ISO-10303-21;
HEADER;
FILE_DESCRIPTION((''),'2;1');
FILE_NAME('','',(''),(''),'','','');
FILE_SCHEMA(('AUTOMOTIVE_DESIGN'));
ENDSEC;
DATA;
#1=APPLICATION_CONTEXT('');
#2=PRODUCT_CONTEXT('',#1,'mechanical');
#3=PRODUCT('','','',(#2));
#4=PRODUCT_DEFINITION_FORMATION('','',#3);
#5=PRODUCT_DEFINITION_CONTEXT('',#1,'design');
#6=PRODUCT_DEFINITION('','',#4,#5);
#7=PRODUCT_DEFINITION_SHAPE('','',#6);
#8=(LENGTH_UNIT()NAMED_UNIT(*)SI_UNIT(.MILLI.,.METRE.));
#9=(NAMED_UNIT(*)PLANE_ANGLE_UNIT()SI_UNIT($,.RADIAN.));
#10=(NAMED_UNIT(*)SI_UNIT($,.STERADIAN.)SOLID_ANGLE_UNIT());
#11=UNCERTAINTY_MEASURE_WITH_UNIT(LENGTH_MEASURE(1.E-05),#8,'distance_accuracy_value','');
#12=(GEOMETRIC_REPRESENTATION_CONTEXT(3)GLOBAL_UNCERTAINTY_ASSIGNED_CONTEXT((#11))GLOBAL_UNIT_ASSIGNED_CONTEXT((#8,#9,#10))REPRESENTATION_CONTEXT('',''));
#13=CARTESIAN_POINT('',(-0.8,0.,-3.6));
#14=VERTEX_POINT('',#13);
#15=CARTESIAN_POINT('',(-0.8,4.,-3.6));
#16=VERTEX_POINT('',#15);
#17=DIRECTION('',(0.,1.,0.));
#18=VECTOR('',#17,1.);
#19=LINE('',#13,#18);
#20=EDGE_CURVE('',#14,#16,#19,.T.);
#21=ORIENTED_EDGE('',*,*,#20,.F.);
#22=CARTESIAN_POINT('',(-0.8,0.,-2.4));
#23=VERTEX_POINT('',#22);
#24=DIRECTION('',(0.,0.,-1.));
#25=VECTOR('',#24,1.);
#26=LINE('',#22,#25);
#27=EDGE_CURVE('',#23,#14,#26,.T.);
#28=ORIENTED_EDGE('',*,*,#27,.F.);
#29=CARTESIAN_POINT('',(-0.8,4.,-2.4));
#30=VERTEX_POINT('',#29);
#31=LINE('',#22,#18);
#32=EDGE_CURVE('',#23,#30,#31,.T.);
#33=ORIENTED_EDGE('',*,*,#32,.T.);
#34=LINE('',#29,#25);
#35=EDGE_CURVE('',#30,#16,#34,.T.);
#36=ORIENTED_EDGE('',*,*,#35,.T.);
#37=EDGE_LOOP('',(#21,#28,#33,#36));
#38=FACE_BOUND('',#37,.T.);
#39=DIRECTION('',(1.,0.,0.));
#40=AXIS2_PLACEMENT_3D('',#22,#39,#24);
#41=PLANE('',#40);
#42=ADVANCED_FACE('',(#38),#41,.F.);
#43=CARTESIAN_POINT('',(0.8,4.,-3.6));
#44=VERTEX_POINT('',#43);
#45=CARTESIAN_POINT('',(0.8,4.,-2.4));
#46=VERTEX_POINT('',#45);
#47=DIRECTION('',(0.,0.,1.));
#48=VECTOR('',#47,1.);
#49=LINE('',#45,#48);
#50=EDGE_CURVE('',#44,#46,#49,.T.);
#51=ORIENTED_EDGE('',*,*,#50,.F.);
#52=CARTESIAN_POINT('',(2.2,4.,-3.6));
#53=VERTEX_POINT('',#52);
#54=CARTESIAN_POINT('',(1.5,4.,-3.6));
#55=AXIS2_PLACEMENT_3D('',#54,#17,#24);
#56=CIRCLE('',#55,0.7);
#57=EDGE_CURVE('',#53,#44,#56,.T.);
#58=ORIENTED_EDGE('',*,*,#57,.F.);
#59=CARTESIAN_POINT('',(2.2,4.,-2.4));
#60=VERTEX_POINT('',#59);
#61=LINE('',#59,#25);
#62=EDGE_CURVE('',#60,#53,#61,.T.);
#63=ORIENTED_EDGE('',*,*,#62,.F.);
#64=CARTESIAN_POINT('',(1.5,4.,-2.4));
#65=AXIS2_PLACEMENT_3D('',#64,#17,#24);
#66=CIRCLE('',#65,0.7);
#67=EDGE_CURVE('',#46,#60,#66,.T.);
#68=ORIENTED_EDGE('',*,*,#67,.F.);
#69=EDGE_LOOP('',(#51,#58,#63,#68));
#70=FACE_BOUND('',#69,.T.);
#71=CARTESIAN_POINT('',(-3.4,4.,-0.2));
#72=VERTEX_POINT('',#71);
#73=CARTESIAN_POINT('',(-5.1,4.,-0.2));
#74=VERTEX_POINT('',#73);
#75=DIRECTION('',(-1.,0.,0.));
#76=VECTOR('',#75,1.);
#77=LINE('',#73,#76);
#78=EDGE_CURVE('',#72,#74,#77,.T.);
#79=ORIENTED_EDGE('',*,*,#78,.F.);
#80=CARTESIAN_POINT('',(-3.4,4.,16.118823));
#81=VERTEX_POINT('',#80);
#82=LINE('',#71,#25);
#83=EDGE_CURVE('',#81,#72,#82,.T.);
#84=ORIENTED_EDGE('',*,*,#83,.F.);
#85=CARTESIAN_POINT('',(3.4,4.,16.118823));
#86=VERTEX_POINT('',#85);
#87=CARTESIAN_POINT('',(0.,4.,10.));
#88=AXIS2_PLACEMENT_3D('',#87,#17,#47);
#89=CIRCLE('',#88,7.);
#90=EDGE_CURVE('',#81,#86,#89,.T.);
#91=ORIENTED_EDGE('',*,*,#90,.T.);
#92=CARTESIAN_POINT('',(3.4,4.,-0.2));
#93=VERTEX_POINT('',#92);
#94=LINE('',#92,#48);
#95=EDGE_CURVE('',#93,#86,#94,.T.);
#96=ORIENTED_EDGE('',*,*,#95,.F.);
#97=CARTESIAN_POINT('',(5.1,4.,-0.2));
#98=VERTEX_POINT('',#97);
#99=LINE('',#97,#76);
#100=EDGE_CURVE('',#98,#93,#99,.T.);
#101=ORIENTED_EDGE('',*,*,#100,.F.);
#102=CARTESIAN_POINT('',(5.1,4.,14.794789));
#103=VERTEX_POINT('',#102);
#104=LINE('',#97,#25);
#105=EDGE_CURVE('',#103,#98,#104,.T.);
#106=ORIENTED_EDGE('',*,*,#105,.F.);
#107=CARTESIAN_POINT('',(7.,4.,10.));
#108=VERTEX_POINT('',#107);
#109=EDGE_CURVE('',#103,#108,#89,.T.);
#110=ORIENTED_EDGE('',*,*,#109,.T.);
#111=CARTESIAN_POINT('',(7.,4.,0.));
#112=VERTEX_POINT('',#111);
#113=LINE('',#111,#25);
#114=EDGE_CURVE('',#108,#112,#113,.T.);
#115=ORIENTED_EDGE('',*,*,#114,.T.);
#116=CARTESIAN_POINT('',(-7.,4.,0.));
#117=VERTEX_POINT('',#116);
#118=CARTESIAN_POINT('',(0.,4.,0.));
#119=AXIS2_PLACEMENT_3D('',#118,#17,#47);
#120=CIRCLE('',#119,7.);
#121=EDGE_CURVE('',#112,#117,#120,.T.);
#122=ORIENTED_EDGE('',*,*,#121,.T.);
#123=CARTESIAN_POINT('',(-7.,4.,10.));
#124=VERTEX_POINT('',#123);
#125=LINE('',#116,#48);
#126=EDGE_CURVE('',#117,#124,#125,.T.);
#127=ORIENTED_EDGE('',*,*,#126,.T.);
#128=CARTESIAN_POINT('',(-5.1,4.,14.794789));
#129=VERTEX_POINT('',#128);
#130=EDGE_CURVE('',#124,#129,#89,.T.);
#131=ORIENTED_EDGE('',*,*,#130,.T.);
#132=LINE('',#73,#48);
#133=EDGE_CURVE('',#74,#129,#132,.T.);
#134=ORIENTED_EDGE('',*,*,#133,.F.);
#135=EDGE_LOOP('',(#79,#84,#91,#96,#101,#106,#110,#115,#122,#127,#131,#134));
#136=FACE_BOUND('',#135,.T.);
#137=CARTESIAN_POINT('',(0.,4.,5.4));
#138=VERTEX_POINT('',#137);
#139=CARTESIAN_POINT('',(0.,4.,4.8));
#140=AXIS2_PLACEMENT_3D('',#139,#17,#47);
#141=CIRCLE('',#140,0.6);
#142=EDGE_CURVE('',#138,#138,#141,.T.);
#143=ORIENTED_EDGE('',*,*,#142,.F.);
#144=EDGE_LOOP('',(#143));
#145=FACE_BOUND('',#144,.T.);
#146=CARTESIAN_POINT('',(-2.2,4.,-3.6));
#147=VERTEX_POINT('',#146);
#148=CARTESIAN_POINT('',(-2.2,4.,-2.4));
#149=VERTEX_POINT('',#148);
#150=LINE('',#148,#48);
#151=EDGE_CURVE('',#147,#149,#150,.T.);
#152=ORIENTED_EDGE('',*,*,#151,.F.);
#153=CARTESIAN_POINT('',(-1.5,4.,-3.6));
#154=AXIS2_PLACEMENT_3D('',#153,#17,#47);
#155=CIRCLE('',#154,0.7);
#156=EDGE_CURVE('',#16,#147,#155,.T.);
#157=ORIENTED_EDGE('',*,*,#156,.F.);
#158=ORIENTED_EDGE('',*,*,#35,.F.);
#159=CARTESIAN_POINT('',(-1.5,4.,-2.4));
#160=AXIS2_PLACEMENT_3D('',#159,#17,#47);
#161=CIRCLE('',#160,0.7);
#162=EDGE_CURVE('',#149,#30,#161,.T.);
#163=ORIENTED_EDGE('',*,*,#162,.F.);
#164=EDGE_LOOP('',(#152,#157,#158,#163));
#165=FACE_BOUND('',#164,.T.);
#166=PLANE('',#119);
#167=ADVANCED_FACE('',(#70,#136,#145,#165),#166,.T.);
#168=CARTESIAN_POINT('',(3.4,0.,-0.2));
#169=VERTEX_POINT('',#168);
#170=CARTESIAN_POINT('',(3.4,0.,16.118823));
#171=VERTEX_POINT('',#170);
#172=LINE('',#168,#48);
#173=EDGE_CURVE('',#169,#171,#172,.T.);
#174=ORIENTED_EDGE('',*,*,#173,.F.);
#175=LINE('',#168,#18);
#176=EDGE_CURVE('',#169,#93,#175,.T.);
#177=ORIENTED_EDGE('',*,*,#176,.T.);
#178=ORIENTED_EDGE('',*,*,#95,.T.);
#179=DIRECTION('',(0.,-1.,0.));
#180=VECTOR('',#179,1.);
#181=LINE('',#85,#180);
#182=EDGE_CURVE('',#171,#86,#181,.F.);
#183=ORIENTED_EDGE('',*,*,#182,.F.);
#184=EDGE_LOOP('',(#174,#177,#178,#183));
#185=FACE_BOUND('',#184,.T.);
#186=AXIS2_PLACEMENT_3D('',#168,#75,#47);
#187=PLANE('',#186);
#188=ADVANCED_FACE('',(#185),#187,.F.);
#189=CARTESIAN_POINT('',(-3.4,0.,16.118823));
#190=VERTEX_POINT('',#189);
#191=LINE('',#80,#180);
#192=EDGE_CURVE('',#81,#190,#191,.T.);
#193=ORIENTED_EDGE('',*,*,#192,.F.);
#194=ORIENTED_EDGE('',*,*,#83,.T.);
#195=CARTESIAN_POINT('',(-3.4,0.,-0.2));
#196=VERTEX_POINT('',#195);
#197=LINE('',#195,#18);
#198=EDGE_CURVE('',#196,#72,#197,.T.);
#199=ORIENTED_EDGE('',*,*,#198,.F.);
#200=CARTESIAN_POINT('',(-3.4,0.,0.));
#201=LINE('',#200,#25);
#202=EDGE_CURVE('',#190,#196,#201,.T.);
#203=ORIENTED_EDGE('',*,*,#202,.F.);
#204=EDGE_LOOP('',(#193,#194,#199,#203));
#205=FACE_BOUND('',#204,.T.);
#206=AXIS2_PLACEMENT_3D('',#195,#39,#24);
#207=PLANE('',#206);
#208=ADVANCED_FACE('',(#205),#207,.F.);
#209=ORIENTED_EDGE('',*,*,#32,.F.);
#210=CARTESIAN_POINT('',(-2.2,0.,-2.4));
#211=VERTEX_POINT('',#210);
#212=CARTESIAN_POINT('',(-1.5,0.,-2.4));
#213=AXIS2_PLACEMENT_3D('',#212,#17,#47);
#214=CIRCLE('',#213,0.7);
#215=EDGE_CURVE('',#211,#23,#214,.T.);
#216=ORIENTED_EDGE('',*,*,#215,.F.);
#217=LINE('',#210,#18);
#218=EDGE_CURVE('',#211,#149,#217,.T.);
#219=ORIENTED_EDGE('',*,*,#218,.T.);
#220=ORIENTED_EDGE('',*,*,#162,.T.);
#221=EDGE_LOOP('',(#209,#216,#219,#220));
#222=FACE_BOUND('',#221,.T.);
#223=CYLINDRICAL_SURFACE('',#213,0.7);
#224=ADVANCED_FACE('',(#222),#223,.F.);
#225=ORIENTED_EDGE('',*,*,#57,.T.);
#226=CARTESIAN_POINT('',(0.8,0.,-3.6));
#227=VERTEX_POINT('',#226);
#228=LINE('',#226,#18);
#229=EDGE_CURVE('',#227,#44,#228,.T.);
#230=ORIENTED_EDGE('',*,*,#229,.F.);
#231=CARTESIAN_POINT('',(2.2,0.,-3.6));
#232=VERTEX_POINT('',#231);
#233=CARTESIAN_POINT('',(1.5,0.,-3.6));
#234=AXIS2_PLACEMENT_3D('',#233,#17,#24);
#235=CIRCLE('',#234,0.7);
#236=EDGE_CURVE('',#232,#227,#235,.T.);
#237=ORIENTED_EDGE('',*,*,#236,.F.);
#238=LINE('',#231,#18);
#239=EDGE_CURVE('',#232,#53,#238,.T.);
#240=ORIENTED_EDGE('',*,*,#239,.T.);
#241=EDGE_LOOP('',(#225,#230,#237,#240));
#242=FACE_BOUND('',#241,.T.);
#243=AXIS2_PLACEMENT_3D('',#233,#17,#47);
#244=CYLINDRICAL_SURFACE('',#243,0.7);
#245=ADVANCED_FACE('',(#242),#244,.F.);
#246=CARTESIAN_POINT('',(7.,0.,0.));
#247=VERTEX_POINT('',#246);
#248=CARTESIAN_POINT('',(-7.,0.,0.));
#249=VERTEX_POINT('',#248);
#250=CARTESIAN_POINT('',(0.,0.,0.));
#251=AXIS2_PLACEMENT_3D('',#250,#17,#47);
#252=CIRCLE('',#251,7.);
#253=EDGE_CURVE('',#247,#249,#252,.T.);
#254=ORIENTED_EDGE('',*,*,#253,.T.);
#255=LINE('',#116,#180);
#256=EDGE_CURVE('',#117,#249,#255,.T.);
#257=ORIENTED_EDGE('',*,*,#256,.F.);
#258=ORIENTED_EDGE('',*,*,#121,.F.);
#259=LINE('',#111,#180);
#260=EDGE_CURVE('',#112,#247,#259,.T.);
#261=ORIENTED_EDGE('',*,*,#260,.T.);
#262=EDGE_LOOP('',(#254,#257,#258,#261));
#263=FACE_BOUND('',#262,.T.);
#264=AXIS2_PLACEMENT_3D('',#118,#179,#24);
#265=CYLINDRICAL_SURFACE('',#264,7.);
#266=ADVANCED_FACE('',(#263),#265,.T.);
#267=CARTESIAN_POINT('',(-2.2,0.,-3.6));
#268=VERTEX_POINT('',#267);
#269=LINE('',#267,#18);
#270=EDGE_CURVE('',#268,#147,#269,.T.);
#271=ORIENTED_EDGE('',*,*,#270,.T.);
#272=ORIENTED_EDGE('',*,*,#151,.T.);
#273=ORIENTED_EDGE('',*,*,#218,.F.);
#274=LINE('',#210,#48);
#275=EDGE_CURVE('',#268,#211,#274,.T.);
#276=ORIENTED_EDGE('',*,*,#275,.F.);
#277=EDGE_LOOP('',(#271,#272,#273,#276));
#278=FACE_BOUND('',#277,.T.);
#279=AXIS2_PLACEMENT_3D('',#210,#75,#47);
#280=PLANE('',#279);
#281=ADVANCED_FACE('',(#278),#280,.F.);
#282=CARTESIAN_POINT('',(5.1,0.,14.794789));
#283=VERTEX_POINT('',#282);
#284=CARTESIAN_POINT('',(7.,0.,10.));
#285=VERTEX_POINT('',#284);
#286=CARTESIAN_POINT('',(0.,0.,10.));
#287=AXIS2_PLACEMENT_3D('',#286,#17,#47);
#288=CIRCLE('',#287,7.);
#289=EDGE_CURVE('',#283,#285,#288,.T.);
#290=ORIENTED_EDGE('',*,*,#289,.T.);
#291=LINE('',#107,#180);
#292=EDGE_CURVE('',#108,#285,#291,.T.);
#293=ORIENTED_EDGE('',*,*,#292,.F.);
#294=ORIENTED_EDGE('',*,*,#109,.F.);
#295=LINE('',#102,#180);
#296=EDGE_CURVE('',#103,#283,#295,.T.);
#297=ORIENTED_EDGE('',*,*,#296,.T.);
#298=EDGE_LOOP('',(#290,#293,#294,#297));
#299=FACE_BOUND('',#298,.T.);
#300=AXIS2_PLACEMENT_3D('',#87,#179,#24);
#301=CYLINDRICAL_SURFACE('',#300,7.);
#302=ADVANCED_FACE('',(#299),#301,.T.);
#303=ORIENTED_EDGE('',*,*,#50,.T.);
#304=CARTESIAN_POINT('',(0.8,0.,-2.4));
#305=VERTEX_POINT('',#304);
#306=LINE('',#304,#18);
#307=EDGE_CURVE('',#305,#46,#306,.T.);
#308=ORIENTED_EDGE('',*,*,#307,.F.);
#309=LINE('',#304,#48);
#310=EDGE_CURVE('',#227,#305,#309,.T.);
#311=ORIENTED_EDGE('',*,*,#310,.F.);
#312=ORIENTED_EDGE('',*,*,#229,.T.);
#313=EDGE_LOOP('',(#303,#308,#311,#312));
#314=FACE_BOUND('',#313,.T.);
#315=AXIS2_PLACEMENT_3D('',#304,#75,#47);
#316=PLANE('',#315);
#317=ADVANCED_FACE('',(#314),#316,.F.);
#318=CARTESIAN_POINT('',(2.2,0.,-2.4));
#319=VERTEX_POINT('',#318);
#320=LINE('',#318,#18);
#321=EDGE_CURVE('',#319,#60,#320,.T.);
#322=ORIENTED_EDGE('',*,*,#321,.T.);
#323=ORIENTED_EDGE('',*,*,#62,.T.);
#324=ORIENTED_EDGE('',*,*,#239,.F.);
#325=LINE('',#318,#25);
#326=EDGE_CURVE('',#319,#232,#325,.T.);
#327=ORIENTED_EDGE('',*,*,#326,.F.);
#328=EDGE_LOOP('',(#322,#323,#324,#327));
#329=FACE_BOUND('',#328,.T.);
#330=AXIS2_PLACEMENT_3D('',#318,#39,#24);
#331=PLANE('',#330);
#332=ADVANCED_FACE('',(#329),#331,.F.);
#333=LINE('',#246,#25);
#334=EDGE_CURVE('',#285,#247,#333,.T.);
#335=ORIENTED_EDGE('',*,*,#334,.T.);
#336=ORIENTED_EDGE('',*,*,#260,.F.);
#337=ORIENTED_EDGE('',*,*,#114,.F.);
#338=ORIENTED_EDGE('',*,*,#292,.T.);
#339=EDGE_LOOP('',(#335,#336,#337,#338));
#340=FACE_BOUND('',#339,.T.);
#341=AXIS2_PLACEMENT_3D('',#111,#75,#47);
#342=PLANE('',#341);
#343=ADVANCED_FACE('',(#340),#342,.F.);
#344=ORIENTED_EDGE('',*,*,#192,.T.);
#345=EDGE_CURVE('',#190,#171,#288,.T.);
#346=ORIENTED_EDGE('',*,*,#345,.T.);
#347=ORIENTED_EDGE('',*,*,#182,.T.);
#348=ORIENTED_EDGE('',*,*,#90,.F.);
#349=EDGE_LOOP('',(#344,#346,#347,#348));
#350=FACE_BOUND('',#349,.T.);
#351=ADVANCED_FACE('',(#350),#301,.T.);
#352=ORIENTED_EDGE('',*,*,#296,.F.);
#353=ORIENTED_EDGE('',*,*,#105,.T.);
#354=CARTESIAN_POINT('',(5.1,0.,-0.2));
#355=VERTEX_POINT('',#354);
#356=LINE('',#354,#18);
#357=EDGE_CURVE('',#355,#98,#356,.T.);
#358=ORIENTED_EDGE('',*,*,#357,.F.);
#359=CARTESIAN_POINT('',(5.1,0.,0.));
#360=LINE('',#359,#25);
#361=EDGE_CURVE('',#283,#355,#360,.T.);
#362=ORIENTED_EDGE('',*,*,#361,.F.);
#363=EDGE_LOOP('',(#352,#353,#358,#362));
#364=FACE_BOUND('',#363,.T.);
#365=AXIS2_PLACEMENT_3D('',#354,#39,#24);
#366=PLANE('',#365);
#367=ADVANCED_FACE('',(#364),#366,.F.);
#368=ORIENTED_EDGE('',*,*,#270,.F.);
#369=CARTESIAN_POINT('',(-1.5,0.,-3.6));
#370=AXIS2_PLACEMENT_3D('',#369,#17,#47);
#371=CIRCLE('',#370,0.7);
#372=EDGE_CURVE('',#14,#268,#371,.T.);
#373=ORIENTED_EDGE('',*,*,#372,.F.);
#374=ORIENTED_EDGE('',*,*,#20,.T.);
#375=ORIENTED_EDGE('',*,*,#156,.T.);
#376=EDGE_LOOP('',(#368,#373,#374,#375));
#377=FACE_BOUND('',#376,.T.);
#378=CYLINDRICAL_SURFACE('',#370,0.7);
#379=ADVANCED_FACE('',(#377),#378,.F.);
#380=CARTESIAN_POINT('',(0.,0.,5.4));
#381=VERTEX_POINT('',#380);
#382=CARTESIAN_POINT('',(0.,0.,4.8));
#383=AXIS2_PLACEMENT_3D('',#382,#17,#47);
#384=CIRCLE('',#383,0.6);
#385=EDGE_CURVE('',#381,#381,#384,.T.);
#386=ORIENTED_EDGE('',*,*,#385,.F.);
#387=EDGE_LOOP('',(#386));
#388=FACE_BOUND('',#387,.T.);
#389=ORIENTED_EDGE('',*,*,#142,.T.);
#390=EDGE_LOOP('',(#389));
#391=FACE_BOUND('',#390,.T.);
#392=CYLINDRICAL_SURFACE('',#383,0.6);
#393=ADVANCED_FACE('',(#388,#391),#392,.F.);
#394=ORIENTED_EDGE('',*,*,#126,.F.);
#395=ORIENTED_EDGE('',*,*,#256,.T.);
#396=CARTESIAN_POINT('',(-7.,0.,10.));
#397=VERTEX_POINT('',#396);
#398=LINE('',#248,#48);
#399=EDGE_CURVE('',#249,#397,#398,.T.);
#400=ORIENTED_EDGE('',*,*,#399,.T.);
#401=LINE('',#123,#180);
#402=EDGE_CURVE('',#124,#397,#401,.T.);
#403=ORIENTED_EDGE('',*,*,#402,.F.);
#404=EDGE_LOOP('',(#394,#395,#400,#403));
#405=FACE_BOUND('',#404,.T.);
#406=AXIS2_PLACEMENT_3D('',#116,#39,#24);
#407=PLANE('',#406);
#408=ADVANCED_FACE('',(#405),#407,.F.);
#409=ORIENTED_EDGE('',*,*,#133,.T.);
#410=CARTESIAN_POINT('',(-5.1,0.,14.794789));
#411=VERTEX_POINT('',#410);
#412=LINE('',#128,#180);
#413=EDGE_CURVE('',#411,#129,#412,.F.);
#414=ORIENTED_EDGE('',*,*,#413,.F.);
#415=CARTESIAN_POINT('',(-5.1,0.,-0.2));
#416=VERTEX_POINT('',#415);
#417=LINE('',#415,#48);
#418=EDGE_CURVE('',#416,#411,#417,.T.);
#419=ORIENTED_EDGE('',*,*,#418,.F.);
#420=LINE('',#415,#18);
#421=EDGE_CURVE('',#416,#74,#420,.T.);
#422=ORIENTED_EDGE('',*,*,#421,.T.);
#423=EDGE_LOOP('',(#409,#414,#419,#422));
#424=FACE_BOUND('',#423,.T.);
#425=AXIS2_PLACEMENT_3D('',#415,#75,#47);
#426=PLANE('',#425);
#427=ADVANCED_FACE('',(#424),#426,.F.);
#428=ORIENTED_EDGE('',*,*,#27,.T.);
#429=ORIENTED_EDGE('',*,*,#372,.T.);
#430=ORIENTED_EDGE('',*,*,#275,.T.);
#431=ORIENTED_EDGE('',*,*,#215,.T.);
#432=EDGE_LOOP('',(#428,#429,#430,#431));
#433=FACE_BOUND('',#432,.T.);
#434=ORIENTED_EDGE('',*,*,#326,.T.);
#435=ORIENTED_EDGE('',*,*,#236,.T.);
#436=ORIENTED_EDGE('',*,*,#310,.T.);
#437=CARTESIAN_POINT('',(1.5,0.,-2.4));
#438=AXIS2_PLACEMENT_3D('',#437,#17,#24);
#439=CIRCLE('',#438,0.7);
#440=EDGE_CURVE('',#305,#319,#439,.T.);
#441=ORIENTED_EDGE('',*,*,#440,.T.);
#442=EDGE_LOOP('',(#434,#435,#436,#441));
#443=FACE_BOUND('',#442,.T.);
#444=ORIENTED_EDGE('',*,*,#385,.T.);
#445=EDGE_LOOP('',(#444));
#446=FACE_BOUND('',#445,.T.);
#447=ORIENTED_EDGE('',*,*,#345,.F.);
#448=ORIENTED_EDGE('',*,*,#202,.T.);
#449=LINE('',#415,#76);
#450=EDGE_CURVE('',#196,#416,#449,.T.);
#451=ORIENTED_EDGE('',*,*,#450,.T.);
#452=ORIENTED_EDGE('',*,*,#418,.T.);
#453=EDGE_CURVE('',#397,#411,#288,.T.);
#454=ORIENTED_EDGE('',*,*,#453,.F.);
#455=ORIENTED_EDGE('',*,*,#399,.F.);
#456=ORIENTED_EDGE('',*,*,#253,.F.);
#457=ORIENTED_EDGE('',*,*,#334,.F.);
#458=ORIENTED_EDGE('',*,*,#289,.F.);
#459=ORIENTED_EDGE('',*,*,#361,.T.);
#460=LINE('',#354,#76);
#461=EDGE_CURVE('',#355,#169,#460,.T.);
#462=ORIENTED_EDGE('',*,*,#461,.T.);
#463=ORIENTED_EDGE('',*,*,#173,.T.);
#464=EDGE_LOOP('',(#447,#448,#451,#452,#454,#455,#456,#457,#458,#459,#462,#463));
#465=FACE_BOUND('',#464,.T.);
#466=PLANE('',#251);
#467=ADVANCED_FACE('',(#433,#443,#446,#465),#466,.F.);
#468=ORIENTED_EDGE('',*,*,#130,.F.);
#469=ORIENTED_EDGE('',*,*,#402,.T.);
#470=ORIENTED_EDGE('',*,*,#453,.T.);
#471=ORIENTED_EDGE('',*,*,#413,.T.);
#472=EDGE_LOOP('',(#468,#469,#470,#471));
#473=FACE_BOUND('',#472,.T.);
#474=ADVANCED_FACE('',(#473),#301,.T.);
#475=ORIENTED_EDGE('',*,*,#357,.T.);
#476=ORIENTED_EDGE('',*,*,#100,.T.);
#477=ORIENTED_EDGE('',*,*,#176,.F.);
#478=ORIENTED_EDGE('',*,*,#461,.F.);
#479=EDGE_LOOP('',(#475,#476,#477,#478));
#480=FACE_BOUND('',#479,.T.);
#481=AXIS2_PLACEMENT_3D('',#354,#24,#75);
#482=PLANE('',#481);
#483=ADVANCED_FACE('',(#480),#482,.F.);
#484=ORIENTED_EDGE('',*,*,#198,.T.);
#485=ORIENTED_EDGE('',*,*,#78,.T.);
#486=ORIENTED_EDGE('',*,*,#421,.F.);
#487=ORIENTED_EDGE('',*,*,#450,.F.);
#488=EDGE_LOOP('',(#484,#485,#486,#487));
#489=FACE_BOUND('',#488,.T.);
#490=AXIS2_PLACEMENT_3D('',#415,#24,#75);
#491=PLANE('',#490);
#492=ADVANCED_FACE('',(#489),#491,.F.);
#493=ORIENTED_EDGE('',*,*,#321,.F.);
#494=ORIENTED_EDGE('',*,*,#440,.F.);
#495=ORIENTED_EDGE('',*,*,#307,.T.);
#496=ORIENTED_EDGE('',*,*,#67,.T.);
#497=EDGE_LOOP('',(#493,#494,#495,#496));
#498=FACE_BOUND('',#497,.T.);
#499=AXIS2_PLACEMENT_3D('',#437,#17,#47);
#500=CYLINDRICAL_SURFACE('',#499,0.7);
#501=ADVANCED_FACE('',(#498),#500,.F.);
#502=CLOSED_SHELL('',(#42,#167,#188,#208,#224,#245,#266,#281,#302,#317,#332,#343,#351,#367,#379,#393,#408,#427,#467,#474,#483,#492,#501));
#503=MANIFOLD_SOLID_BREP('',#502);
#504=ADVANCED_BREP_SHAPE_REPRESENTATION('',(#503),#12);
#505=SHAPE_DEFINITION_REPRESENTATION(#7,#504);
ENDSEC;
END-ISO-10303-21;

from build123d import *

# Parameters (mm, degrees)
EXTRUDE_1_DEPTH     = 4
SKETCH_2_W          = 1.7
SKETCH_2_H          = 55.892000818
CUT_EXTRUDE_1_DEPTH = 19.814887722
CUT_EXTRUDE_2_DEPTH = 19.814887722
SKETCH_4_R          = 0.6
CUT_EXTRUDE_3_DEPTH = 19.814887722


with BuildPart() as part:
    # 草图1 → 凸台-拉伸1 (new body)
    with BuildSketch(Plane(origin=(0, 0, 0), x_dir=(1, 0, 0), z_dir=(0, 1, 0))):
        with BuildLine():
            Line((7, 0), (7, -10))
            ThreePointArc((7, -10), (0, -17), (-7, -10))
            Line((-7, -10), (-7, 0))
            ThreePointArc((-7, 0), (0, 7), (7, 0))
        make_face()
    extrude(amount=EXTRUDE_1_DEPTH)

    # 草图2 → 切除-拉伸1 (cut, through all)
    with BuildSketch(Plane(origin=(0, 4, 0), x_dir=(1, 0, 0), z_dir=(0, 1, 0))):
        with Locations((-4.25, -27.746000409)):
            Rectangle(SKETCH_2_W, SKETCH_2_H)
        with Locations((4.25, -27.746000409)):
            Rectangle(SKETCH_2_W, SKETCH_2_H)
    extrude(amount=-CUT_EXTRUDE_1_DEPTH, mode=Mode.SUBTRACT)

    # 草图3 → 切除-拉伸2 (cut, through all)
    with BuildSketch(Plane(origin=(0, 4, 0), x_dir=(1, 0, 0), z_dir=(0, 1, 0))):
        with BuildLine():
            Line((-2.2, 2.4), (-2.2, 3.6))
            ThreePointArc((-2.2, 3.6), (-1.5, 4.3), (-0.8, 3.6))
            Line((-0.8, 3.6), (-0.8, 2.4))
            ThreePointArc((-0.8, 2.4), (-1.5, 1.7), (-2.2, 2.4))
        make_face()
        with BuildLine():
            Line((2.2, 2.4), (2.2, 3.6))
            ThreePointArc((2.2, 3.6), (1.5, 4.3), (0.8, 3.6))
            Line((0.8, 3.6), (0.8, 2.4))
            ThreePointArc((0.8, 2.4), (1.5, 1.7), (2.2, 2.4))
        make_face()
    extrude(amount=-CUT_EXTRUDE_2_DEPTH, mode=Mode.SUBTRACT)

    # 草图4 → 切除-拉伸3 (cut, through all)
    with BuildSketch(Plane(origin=(0, 4, 0), x_dir=(1, 0, 0), z_dir=(0, 1, 0))):
        with Locations(Location((0, -4.8, 0), (0, 0, 270))):
            Circle(SKETCH_4_R)
    extrude(amount=-CUT_EXTRUDE_3_DEPTH, mode=Mode.SUBTRACT)


solid = part.part
